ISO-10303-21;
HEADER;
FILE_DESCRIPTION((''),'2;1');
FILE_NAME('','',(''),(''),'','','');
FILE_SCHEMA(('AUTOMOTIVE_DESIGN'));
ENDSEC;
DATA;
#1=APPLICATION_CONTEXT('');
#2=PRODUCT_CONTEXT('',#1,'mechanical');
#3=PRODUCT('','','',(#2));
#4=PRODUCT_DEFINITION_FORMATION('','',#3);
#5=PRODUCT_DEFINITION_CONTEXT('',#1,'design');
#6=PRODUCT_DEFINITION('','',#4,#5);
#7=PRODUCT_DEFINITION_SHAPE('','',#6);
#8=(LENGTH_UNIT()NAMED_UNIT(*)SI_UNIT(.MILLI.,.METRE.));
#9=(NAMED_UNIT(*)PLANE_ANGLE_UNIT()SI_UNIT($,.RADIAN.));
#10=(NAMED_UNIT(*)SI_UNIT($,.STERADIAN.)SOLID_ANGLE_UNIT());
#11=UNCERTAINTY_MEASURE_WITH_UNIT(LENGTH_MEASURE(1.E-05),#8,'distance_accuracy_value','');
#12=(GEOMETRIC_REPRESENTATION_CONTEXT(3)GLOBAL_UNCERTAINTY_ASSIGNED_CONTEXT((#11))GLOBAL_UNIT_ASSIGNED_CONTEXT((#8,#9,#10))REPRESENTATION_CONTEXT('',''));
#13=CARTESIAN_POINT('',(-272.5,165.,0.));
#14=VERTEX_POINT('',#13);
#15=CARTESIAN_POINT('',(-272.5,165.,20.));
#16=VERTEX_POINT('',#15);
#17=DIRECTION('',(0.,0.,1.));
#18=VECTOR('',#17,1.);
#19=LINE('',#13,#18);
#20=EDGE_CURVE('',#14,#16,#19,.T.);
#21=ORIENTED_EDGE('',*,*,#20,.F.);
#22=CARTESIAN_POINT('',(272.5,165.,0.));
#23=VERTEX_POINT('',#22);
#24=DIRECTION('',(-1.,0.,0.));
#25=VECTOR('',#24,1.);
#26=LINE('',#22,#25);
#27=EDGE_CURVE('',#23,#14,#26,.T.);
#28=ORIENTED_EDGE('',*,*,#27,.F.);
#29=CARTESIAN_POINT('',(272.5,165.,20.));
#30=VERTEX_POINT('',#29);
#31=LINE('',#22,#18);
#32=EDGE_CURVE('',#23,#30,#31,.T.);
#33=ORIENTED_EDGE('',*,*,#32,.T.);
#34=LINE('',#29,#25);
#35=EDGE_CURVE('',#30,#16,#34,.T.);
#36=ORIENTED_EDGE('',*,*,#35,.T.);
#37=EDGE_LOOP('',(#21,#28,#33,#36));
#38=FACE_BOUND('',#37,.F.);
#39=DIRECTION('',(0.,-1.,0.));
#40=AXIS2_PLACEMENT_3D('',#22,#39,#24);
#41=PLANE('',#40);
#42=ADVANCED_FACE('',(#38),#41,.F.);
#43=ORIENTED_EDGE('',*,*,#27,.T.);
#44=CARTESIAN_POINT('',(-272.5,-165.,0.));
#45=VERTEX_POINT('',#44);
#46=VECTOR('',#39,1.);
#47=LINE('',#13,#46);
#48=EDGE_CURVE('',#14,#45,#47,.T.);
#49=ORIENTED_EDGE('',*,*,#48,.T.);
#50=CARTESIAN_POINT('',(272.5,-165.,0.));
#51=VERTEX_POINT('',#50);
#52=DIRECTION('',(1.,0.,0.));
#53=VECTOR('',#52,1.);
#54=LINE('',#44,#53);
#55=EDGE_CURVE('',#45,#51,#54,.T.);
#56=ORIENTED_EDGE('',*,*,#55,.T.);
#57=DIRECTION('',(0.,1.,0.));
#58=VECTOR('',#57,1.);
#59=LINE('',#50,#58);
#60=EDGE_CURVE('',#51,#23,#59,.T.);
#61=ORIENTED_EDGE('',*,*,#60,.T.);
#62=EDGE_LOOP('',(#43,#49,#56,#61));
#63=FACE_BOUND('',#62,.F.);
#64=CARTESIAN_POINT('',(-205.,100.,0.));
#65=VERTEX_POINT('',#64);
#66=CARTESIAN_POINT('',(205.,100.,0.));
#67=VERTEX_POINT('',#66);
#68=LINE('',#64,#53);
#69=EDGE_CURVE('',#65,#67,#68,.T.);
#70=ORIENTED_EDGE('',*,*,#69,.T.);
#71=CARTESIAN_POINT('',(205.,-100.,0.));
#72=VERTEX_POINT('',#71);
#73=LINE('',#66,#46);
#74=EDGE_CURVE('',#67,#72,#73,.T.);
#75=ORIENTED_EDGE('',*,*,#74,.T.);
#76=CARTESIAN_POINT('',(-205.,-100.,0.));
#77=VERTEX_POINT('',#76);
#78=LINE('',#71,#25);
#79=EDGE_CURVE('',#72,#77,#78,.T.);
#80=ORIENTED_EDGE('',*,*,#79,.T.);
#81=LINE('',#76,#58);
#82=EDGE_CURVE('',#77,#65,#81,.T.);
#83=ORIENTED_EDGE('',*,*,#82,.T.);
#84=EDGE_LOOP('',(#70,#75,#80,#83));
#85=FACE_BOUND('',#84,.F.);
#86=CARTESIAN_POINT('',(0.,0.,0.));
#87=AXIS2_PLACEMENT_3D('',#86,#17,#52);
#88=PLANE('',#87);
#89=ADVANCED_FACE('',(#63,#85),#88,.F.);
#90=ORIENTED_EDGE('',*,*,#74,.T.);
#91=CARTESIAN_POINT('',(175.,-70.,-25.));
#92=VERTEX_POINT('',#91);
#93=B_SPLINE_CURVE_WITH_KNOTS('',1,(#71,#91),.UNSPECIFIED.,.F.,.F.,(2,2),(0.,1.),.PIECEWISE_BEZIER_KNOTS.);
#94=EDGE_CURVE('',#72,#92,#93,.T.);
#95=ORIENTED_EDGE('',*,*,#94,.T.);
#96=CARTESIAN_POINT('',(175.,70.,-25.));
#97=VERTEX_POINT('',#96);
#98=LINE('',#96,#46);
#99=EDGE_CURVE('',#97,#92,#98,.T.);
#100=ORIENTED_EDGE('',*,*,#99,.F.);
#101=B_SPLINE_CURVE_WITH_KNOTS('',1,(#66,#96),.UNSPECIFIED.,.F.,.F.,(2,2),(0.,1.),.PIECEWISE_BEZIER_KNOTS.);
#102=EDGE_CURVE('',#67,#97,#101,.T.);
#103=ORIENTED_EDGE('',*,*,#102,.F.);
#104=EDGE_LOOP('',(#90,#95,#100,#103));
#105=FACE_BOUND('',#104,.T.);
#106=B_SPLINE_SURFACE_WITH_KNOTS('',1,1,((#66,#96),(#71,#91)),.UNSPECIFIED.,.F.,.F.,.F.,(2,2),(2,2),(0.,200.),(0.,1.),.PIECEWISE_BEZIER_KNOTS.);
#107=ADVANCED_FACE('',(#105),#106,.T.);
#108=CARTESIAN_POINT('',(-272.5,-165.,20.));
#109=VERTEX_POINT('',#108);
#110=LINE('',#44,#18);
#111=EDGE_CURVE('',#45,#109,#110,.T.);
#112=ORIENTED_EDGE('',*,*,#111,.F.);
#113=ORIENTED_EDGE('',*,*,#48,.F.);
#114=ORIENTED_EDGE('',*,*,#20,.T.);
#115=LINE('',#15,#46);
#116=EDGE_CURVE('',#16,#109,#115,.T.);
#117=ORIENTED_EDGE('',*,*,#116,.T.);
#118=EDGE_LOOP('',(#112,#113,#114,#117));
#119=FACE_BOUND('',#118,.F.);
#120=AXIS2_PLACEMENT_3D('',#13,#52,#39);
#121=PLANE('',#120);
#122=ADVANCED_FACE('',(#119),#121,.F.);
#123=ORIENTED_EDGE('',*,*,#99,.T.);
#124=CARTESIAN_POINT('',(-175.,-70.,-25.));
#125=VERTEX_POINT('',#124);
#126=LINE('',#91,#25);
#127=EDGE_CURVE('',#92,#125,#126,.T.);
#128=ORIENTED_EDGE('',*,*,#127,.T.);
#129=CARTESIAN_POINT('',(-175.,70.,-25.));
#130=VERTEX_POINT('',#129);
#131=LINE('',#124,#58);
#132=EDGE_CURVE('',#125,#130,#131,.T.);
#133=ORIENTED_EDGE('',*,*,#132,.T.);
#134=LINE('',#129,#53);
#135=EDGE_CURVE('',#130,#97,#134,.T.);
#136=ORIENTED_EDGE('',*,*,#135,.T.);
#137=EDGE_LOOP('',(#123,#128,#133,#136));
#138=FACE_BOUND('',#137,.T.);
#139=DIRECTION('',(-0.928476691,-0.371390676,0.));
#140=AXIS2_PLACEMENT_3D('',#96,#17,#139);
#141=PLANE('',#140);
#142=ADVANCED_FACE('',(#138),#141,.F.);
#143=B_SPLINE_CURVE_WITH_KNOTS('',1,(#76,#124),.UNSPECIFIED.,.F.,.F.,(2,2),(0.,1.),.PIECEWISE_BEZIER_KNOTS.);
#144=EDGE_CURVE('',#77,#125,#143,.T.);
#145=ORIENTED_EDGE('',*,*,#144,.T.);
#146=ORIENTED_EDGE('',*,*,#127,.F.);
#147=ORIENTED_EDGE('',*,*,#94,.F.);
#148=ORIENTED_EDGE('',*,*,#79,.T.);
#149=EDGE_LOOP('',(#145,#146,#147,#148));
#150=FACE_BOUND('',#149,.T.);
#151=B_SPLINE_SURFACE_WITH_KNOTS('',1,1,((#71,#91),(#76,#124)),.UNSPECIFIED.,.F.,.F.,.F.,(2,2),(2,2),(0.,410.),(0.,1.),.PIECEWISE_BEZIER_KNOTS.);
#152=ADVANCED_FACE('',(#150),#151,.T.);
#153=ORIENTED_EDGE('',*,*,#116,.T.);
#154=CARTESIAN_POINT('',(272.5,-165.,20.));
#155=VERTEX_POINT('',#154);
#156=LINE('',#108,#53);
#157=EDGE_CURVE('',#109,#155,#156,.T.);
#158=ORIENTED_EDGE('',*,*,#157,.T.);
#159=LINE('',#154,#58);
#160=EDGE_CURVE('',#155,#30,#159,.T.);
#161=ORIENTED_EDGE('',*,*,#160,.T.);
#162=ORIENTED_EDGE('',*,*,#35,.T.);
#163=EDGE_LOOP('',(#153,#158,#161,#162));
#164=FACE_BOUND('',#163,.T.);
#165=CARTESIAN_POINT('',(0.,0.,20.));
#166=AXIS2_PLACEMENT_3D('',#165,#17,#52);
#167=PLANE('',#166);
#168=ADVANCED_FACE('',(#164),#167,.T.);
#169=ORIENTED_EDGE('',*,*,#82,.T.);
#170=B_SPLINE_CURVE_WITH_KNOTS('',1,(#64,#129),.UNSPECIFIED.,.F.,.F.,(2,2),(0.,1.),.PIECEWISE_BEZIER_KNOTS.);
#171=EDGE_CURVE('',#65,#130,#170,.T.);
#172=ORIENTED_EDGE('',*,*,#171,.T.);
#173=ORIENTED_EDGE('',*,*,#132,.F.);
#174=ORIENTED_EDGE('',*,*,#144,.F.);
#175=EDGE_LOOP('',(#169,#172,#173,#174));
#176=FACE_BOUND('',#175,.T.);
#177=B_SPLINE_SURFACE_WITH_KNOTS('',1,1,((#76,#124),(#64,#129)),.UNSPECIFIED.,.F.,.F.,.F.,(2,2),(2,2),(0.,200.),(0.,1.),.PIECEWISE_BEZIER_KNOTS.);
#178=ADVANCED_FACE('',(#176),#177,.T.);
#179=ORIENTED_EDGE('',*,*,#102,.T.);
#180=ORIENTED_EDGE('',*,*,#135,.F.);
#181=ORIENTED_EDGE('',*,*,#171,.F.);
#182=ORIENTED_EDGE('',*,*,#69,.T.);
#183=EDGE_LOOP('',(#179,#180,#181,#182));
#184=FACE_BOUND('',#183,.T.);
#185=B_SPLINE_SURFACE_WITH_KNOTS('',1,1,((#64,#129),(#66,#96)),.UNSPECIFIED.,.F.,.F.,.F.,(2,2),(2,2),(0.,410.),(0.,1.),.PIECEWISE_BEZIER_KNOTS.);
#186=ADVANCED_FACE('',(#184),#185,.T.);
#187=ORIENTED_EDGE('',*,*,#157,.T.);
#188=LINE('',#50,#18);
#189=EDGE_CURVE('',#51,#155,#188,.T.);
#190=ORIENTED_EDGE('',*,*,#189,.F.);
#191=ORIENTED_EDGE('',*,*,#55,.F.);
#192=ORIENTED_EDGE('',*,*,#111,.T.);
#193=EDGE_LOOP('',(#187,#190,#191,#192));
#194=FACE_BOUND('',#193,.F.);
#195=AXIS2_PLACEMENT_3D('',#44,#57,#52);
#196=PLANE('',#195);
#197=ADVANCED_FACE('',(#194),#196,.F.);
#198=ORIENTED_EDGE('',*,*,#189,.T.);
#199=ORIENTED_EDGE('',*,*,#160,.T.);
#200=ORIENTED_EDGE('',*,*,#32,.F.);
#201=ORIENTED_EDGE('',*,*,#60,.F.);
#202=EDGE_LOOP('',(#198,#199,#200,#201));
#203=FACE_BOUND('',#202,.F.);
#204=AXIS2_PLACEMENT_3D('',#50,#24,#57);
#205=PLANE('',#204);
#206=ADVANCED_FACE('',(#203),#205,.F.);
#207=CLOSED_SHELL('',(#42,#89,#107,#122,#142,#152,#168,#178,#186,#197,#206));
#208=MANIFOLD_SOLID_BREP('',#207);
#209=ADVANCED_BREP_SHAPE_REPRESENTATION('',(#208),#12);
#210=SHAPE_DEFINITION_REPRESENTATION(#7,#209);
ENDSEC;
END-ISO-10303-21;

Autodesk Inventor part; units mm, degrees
ref_plane "YZ Plane" through (0, 0, 0) normal (1, 0, 0) x (0, 1, 0)
ref_plane "XZ Plane" through (0, 0, 0) normal (0, 1, 0) x (-1, 0, 0)
sketch "Sketch1" plane through (0, 0, 0) normal (0, 0, 1) x (1, 0, 0)
  line L0 (-272.5, -165) -> (272.5, -165)
  line L1 (272.5, -165) -> (272.5, 165)
  line L2 (272.5, 165) -> (-272.5, 165)
  line L3 (-272.5, 165) -> (-272.5, -165)
  line L4 (-272.5, -165) -> (272.5, 165) construction
  line L5 (272.5, -165) -> (-272.5, 165) construction
  point P0 (0, 0)
  dimension "d0" = 545
  dimension "d1" = 330
extrude "Extrusion1" add sketch "Sketch1" along normal blind 20
sketch "Sketch2" plane through (0, 0, 0) normal (0, 0, -1) x (-1, 0, 0)
  line L0 (-205, -100) -> (205, -100)
  line L1 (205, -100) -> (205, 100)
  line L2 (205, 100) -> (-205, 100)
  line L3 (-205, 100) -> (-205, -100)
  line L4 (-205, -100) -> (205, 100) construction
  line L5 (205, -100) -> (-205, 100) construction
  point P0 (0, 0)
  dimension "d4" = 410
  dimension "d5" = 200
ref_plane "Work Plane1" through (0, 0, -25) normal (0, 0, -1) x (-1, 0, 0)
sketch "Sketch3" plane through (0, 0, -25) normal (0, 0, -1) x (-1, 0, 0)
  line L0 (-175, -70) -> (175, -70)
  line L1 (175, -70) -> (175, 70)
  line L2 (175, 70) -> (-175, 70)
  line L3 (-175, 70) -> (-175, -70)
  line L4 (-175, -70) -> (175, 70) construction
  line L5 (175, -70) -> (-175, 70) construction
  point P0 (0, 0)
  dimension "d7" = 350
  dimension "d8" = 140
loft "Loft1" add profiles "Sketch2", "Sketch3"
properties part number "ShedMonitor"
